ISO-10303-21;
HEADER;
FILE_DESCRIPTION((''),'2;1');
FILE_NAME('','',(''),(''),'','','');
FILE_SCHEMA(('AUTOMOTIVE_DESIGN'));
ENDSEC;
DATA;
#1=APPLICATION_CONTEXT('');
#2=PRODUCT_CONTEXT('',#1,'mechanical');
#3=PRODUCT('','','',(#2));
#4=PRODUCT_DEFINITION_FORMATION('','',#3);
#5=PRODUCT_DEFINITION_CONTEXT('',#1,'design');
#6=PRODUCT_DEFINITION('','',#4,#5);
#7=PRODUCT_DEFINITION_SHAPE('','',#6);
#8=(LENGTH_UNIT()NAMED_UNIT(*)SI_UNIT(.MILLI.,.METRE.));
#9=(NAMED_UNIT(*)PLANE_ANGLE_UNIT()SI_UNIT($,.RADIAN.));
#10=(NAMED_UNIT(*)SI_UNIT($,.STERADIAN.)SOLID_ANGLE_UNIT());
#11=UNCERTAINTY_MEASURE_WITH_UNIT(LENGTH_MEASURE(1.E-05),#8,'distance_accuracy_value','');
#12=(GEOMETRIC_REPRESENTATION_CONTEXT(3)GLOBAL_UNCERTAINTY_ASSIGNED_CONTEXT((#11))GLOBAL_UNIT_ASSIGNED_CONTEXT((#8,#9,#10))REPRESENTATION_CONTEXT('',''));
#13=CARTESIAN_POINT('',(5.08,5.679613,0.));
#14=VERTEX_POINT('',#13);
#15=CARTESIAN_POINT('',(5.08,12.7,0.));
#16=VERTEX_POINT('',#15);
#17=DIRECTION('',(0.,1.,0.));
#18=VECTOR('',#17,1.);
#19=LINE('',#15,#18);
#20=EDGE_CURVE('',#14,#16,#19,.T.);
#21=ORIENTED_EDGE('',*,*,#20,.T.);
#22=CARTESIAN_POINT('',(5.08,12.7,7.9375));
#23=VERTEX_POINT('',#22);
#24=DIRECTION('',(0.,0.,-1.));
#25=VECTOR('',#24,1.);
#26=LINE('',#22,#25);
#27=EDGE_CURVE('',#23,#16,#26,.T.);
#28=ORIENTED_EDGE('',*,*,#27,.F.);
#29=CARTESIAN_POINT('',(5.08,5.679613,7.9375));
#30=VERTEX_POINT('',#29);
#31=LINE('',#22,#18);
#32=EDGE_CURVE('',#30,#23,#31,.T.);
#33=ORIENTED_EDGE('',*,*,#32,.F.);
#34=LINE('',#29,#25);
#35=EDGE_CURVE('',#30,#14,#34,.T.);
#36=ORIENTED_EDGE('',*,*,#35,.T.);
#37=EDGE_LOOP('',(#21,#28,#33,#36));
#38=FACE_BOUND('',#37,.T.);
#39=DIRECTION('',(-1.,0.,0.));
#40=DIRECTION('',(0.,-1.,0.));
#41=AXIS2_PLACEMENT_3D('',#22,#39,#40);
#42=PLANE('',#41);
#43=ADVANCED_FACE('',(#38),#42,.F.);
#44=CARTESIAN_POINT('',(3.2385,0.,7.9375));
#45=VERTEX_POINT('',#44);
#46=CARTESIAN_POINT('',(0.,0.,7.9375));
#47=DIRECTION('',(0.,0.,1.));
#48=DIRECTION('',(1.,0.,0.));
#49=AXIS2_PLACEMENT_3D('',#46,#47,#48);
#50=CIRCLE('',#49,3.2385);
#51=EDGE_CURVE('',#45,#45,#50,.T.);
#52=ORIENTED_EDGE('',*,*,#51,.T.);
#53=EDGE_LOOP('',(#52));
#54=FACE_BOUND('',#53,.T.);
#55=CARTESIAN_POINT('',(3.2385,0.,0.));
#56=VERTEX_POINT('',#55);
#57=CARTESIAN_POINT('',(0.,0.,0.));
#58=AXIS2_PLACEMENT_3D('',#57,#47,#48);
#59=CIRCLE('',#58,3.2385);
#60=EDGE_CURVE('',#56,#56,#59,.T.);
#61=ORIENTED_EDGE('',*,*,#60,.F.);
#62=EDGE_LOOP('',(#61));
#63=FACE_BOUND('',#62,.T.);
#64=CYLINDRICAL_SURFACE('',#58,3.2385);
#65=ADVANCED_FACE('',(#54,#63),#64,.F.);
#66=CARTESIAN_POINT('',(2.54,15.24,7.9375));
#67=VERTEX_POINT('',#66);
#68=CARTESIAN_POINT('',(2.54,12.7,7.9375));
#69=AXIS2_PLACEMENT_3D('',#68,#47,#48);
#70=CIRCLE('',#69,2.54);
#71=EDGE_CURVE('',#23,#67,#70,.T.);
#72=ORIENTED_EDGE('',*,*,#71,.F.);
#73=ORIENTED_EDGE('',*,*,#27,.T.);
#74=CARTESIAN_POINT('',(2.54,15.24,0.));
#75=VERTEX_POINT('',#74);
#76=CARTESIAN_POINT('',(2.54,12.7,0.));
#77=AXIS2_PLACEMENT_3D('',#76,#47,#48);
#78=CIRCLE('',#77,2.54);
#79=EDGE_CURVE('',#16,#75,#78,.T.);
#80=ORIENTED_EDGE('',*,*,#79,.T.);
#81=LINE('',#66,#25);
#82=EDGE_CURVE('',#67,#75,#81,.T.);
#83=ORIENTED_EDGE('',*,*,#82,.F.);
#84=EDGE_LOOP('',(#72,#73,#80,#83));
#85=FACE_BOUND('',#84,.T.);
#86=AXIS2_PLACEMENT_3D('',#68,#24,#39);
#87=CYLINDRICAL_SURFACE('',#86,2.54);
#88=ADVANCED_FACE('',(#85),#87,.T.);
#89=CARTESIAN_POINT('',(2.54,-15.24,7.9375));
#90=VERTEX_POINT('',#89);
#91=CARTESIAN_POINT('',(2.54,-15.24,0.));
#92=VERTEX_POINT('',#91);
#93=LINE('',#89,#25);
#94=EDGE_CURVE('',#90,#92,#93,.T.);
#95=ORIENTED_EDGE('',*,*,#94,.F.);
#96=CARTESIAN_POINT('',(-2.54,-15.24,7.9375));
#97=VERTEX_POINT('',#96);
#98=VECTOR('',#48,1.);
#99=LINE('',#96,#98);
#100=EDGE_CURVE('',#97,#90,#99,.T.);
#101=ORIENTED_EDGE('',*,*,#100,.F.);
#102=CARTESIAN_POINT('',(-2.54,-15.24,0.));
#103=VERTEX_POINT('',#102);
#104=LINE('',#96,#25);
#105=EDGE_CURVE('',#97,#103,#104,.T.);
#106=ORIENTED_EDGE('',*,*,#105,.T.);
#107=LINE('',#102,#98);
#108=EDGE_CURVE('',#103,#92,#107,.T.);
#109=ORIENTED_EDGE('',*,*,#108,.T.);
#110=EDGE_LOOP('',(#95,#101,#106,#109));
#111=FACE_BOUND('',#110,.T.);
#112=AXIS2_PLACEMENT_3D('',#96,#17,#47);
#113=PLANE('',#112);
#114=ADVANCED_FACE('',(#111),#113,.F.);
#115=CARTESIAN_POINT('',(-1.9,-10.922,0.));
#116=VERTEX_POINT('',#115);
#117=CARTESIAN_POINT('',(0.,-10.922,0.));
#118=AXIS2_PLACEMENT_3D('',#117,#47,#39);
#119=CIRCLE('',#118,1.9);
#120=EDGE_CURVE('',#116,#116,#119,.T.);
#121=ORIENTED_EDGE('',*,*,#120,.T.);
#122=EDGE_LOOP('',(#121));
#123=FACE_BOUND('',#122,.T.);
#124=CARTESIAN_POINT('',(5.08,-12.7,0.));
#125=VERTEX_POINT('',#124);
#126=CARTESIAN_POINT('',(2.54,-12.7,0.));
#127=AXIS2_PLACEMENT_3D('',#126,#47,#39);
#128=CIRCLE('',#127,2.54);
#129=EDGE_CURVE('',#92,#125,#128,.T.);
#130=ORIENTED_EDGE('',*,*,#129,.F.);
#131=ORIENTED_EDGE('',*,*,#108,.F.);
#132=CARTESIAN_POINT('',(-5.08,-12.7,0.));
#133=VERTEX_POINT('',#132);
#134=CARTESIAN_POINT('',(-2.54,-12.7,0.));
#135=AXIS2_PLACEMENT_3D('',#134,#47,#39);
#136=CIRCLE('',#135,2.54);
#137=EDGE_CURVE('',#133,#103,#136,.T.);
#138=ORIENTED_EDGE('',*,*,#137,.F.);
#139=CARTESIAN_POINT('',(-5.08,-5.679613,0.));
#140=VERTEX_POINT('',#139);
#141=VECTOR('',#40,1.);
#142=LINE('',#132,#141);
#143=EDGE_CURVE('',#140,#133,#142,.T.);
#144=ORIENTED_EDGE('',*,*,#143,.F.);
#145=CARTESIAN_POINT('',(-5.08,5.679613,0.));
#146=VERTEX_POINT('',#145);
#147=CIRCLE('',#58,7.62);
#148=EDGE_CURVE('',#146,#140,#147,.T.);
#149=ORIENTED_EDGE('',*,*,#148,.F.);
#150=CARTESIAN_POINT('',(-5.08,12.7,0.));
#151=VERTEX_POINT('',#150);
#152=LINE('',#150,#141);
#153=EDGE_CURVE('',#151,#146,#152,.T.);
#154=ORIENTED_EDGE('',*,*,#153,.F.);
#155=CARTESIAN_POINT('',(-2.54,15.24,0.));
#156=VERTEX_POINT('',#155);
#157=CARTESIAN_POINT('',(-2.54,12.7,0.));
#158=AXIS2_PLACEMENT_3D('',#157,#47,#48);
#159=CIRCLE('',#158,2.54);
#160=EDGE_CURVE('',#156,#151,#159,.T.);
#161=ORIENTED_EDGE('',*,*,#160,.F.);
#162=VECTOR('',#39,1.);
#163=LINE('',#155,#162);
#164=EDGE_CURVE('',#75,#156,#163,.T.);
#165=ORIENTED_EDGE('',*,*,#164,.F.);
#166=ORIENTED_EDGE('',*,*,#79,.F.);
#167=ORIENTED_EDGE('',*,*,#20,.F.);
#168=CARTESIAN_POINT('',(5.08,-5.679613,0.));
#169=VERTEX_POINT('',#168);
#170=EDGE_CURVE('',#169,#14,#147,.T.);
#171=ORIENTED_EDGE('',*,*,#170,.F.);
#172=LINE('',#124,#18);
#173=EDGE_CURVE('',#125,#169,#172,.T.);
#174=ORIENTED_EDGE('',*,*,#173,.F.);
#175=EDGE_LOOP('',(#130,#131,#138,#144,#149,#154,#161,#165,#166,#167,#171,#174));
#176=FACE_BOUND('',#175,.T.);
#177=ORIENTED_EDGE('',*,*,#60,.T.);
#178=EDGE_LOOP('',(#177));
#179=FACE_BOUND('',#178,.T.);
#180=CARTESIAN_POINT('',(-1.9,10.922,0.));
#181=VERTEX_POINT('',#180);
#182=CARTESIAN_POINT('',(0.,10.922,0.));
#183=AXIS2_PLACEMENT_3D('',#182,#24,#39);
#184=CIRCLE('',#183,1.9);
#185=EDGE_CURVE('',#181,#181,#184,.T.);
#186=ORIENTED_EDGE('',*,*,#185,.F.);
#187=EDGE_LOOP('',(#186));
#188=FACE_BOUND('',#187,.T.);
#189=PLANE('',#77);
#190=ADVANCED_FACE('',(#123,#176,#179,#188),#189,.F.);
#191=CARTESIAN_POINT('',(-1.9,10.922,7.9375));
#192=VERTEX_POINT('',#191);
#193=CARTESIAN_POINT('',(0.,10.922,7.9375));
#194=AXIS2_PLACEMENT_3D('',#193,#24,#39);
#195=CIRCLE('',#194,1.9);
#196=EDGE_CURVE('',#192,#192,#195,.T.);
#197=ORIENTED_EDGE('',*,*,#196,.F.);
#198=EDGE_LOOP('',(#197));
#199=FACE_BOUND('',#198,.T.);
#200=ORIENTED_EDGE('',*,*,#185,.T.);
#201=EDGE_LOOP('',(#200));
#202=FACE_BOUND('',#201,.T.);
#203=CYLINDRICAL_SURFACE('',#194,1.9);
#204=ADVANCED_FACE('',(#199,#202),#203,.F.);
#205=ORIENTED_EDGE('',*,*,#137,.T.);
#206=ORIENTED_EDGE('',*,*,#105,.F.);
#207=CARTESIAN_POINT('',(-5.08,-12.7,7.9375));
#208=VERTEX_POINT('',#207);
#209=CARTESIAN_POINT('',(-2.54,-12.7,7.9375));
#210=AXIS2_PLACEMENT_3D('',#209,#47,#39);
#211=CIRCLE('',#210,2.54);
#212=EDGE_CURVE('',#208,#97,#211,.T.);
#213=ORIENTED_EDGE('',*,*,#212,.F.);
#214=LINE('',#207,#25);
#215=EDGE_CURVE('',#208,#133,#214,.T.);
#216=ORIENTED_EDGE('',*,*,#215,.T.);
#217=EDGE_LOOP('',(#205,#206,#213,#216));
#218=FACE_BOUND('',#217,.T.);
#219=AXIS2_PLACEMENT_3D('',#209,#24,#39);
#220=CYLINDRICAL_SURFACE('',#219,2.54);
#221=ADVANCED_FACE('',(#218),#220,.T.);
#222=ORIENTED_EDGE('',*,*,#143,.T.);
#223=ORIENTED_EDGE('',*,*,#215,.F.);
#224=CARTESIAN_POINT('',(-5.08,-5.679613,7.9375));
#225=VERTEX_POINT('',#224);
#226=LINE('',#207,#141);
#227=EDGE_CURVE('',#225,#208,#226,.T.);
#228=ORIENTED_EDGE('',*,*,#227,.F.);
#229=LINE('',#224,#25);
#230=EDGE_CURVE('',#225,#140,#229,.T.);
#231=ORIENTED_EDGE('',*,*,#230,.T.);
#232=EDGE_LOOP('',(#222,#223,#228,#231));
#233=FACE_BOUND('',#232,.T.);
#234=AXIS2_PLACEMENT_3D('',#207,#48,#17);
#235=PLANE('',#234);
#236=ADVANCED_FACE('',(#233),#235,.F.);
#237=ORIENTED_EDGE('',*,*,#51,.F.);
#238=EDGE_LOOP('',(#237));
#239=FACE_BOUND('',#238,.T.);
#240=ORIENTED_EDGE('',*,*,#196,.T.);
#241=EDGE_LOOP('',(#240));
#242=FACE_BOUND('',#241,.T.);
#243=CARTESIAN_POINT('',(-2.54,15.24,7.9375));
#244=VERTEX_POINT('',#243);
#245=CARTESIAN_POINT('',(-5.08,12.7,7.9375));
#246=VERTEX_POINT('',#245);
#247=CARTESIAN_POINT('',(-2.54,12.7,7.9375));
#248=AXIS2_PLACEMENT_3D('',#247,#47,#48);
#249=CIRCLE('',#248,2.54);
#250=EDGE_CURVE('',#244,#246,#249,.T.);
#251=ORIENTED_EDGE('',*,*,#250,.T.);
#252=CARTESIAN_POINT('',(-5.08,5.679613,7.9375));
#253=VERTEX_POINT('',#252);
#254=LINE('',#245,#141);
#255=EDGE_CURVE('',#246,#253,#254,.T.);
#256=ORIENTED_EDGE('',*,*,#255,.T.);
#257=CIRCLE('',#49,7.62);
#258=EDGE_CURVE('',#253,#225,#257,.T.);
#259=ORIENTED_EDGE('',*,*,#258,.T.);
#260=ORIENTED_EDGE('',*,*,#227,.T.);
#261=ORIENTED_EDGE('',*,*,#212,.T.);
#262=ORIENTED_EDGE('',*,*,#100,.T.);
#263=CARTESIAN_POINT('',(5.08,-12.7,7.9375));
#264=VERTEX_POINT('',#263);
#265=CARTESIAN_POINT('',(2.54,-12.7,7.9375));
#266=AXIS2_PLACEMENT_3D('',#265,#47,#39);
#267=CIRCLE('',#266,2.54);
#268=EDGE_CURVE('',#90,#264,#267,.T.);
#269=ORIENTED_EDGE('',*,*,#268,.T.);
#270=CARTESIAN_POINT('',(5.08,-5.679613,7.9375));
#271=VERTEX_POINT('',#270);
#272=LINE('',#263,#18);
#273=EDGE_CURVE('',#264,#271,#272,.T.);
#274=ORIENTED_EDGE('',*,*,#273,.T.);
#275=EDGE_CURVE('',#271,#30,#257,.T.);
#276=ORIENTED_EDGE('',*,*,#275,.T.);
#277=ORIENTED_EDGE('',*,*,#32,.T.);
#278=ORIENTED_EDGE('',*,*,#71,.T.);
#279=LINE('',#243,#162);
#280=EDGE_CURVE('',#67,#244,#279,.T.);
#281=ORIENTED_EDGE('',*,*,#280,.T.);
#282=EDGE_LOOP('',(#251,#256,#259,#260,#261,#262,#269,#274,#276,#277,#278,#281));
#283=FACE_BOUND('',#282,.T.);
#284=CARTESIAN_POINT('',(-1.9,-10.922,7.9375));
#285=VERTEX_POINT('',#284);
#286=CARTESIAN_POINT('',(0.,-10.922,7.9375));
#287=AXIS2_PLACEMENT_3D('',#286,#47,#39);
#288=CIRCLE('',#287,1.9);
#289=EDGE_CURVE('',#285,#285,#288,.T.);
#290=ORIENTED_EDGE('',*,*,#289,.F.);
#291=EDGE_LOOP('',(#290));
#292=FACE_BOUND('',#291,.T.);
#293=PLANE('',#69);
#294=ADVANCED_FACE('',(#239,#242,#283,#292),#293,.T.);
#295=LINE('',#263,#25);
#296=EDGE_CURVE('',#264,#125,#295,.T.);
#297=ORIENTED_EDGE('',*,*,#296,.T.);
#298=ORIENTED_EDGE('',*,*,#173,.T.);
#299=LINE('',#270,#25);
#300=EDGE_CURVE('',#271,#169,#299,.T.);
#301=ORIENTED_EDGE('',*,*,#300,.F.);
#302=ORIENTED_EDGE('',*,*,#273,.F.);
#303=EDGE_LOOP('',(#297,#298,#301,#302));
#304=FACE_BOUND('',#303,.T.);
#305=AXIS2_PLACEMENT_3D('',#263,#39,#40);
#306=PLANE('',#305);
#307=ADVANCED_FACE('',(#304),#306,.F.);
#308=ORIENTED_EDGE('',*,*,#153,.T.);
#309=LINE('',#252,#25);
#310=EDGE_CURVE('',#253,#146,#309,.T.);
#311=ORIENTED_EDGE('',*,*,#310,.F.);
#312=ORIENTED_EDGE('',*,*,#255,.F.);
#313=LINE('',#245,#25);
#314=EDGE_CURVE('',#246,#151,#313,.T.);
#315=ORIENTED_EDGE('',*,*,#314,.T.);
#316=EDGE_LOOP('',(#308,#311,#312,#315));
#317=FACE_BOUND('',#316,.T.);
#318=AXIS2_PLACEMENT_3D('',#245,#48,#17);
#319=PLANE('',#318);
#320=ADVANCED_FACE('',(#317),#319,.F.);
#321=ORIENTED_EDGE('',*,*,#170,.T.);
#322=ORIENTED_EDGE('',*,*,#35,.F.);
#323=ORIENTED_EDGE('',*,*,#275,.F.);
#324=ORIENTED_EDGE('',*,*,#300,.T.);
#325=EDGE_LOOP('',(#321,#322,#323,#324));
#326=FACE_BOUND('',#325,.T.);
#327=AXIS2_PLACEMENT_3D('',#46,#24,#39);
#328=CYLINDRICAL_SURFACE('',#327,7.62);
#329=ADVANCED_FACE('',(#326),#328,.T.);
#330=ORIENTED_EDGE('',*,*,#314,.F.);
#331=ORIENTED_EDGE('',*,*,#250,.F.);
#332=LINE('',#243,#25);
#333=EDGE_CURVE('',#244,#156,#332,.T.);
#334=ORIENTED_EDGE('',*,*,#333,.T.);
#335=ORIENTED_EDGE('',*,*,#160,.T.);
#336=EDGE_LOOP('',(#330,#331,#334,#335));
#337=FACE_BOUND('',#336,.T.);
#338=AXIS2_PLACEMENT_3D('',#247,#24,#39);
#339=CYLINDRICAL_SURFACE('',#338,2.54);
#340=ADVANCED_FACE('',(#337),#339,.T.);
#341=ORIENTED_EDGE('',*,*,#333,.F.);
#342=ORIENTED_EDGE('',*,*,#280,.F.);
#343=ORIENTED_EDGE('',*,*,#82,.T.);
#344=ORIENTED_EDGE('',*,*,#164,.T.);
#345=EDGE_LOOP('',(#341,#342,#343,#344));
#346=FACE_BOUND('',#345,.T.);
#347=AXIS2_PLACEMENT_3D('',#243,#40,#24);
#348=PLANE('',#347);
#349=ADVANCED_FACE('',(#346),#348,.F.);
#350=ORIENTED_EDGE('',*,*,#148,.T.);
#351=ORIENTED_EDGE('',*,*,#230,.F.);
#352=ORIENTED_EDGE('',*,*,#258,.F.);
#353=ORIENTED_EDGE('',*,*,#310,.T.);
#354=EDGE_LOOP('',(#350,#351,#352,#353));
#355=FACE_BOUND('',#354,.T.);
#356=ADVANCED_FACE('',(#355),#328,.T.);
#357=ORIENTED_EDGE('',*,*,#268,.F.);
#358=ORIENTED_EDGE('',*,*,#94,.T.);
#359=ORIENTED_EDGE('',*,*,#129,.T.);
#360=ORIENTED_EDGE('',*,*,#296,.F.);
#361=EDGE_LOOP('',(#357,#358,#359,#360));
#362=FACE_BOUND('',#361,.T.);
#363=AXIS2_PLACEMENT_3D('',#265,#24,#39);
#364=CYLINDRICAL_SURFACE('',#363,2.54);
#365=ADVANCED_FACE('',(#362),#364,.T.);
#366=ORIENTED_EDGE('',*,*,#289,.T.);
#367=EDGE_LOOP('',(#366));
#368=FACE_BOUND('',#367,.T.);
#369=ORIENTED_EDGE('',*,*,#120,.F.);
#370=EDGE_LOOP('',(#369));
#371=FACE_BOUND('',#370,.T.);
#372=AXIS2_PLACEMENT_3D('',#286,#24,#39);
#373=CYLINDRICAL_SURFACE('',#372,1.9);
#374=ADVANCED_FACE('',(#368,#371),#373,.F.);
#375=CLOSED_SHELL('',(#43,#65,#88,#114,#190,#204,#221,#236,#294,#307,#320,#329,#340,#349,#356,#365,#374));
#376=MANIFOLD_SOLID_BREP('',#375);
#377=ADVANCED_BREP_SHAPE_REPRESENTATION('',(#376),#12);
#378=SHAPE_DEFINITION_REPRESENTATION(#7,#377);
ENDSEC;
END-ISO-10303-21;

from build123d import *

# Parameters (mm, degrees)
EXTRUDE_1_DEPTH     = 7.9375
SKETCH_4_R          = 1.9
CUT_EXTRUDE_3_DEPTH = 19.796965347
SKETCH_5_R          = 3.2385
CUT_EXTRUDE_4_DEPTH = 19.796965347


with BuildPart() as part:
    # 草图1 → 凸台-拉伸1 (new body)
    with BuildSketch(Plane.XY):
        with BuildLine():
            Line((-5.08, 12.7), (-5.08, 5.679612663))
            ThreePointArc((-5.08, 5.679612663), (-7.62, 0), (-5.08, -5.679612663))
            Line((-5.08, -5.679612663), (-5.08, -12.7))
            ThreePointArc((-5.08, -12.7), (-4.336051224, -14.496051224), (-2.54, -15.24))
            Line((-2.54, -15.24), (2.54, -15.24))
            ThreePointArc((2.54, -15.24), (4.336051224, -14.496051224), (5.08, -12.7))
            Line((5.08, -12.7), (5.08, -5.679612663))
            ThreePointArc((5.08, -5.679612663), (7.62, 0), (5.08, 5.679612663))
            Line((5.08, 5.679612663), (5.08, 12.7))
            ThreePointArc((5.08, 12.7), (4.336051224, 14.496051224), (2.54, 15.24))
            Line((2.54, 15.24), (-2.54, 15.24))
            ThreePointArc((-2.54, 15.24), (-4.336051224, 14.496051224), (-5.08, 12.7))
        make_face()
    extrude(amount=EXTRUDE_1_DEPTH)

    # 草图4 → 切除-拉伸3 (cut, through all)
    with BuildSketch(Plane(origin=(0, 0, 0), x_dir=(-1, 0, 0), z_dir=(0, 0, -1))):
        with Locations((0, 10.922)):
            Circle(SKETCH_4_R)
    cut_extrude_3 = extrude(amount=-CUT_EXTRUDE_3_DEPTH, mode=Mode.SUBTRACT)

    # 镜向1: 切除-拉伸3 across plane
    add(cut_extrude_3.mirror(Plane.ZX), mode=Mode.SUBTRACT)

    # 草图5 → 切除-拉伸4 (cut, through all)
    with BuildSketch(Plane.XY.offset(7.9375)):
        Circle(SKETCH_5_R)
    extrude(amount=-CUT_EXTRUDE_4_DEPTH, mode=Mode.SUBTRACT)


solid = part.part
